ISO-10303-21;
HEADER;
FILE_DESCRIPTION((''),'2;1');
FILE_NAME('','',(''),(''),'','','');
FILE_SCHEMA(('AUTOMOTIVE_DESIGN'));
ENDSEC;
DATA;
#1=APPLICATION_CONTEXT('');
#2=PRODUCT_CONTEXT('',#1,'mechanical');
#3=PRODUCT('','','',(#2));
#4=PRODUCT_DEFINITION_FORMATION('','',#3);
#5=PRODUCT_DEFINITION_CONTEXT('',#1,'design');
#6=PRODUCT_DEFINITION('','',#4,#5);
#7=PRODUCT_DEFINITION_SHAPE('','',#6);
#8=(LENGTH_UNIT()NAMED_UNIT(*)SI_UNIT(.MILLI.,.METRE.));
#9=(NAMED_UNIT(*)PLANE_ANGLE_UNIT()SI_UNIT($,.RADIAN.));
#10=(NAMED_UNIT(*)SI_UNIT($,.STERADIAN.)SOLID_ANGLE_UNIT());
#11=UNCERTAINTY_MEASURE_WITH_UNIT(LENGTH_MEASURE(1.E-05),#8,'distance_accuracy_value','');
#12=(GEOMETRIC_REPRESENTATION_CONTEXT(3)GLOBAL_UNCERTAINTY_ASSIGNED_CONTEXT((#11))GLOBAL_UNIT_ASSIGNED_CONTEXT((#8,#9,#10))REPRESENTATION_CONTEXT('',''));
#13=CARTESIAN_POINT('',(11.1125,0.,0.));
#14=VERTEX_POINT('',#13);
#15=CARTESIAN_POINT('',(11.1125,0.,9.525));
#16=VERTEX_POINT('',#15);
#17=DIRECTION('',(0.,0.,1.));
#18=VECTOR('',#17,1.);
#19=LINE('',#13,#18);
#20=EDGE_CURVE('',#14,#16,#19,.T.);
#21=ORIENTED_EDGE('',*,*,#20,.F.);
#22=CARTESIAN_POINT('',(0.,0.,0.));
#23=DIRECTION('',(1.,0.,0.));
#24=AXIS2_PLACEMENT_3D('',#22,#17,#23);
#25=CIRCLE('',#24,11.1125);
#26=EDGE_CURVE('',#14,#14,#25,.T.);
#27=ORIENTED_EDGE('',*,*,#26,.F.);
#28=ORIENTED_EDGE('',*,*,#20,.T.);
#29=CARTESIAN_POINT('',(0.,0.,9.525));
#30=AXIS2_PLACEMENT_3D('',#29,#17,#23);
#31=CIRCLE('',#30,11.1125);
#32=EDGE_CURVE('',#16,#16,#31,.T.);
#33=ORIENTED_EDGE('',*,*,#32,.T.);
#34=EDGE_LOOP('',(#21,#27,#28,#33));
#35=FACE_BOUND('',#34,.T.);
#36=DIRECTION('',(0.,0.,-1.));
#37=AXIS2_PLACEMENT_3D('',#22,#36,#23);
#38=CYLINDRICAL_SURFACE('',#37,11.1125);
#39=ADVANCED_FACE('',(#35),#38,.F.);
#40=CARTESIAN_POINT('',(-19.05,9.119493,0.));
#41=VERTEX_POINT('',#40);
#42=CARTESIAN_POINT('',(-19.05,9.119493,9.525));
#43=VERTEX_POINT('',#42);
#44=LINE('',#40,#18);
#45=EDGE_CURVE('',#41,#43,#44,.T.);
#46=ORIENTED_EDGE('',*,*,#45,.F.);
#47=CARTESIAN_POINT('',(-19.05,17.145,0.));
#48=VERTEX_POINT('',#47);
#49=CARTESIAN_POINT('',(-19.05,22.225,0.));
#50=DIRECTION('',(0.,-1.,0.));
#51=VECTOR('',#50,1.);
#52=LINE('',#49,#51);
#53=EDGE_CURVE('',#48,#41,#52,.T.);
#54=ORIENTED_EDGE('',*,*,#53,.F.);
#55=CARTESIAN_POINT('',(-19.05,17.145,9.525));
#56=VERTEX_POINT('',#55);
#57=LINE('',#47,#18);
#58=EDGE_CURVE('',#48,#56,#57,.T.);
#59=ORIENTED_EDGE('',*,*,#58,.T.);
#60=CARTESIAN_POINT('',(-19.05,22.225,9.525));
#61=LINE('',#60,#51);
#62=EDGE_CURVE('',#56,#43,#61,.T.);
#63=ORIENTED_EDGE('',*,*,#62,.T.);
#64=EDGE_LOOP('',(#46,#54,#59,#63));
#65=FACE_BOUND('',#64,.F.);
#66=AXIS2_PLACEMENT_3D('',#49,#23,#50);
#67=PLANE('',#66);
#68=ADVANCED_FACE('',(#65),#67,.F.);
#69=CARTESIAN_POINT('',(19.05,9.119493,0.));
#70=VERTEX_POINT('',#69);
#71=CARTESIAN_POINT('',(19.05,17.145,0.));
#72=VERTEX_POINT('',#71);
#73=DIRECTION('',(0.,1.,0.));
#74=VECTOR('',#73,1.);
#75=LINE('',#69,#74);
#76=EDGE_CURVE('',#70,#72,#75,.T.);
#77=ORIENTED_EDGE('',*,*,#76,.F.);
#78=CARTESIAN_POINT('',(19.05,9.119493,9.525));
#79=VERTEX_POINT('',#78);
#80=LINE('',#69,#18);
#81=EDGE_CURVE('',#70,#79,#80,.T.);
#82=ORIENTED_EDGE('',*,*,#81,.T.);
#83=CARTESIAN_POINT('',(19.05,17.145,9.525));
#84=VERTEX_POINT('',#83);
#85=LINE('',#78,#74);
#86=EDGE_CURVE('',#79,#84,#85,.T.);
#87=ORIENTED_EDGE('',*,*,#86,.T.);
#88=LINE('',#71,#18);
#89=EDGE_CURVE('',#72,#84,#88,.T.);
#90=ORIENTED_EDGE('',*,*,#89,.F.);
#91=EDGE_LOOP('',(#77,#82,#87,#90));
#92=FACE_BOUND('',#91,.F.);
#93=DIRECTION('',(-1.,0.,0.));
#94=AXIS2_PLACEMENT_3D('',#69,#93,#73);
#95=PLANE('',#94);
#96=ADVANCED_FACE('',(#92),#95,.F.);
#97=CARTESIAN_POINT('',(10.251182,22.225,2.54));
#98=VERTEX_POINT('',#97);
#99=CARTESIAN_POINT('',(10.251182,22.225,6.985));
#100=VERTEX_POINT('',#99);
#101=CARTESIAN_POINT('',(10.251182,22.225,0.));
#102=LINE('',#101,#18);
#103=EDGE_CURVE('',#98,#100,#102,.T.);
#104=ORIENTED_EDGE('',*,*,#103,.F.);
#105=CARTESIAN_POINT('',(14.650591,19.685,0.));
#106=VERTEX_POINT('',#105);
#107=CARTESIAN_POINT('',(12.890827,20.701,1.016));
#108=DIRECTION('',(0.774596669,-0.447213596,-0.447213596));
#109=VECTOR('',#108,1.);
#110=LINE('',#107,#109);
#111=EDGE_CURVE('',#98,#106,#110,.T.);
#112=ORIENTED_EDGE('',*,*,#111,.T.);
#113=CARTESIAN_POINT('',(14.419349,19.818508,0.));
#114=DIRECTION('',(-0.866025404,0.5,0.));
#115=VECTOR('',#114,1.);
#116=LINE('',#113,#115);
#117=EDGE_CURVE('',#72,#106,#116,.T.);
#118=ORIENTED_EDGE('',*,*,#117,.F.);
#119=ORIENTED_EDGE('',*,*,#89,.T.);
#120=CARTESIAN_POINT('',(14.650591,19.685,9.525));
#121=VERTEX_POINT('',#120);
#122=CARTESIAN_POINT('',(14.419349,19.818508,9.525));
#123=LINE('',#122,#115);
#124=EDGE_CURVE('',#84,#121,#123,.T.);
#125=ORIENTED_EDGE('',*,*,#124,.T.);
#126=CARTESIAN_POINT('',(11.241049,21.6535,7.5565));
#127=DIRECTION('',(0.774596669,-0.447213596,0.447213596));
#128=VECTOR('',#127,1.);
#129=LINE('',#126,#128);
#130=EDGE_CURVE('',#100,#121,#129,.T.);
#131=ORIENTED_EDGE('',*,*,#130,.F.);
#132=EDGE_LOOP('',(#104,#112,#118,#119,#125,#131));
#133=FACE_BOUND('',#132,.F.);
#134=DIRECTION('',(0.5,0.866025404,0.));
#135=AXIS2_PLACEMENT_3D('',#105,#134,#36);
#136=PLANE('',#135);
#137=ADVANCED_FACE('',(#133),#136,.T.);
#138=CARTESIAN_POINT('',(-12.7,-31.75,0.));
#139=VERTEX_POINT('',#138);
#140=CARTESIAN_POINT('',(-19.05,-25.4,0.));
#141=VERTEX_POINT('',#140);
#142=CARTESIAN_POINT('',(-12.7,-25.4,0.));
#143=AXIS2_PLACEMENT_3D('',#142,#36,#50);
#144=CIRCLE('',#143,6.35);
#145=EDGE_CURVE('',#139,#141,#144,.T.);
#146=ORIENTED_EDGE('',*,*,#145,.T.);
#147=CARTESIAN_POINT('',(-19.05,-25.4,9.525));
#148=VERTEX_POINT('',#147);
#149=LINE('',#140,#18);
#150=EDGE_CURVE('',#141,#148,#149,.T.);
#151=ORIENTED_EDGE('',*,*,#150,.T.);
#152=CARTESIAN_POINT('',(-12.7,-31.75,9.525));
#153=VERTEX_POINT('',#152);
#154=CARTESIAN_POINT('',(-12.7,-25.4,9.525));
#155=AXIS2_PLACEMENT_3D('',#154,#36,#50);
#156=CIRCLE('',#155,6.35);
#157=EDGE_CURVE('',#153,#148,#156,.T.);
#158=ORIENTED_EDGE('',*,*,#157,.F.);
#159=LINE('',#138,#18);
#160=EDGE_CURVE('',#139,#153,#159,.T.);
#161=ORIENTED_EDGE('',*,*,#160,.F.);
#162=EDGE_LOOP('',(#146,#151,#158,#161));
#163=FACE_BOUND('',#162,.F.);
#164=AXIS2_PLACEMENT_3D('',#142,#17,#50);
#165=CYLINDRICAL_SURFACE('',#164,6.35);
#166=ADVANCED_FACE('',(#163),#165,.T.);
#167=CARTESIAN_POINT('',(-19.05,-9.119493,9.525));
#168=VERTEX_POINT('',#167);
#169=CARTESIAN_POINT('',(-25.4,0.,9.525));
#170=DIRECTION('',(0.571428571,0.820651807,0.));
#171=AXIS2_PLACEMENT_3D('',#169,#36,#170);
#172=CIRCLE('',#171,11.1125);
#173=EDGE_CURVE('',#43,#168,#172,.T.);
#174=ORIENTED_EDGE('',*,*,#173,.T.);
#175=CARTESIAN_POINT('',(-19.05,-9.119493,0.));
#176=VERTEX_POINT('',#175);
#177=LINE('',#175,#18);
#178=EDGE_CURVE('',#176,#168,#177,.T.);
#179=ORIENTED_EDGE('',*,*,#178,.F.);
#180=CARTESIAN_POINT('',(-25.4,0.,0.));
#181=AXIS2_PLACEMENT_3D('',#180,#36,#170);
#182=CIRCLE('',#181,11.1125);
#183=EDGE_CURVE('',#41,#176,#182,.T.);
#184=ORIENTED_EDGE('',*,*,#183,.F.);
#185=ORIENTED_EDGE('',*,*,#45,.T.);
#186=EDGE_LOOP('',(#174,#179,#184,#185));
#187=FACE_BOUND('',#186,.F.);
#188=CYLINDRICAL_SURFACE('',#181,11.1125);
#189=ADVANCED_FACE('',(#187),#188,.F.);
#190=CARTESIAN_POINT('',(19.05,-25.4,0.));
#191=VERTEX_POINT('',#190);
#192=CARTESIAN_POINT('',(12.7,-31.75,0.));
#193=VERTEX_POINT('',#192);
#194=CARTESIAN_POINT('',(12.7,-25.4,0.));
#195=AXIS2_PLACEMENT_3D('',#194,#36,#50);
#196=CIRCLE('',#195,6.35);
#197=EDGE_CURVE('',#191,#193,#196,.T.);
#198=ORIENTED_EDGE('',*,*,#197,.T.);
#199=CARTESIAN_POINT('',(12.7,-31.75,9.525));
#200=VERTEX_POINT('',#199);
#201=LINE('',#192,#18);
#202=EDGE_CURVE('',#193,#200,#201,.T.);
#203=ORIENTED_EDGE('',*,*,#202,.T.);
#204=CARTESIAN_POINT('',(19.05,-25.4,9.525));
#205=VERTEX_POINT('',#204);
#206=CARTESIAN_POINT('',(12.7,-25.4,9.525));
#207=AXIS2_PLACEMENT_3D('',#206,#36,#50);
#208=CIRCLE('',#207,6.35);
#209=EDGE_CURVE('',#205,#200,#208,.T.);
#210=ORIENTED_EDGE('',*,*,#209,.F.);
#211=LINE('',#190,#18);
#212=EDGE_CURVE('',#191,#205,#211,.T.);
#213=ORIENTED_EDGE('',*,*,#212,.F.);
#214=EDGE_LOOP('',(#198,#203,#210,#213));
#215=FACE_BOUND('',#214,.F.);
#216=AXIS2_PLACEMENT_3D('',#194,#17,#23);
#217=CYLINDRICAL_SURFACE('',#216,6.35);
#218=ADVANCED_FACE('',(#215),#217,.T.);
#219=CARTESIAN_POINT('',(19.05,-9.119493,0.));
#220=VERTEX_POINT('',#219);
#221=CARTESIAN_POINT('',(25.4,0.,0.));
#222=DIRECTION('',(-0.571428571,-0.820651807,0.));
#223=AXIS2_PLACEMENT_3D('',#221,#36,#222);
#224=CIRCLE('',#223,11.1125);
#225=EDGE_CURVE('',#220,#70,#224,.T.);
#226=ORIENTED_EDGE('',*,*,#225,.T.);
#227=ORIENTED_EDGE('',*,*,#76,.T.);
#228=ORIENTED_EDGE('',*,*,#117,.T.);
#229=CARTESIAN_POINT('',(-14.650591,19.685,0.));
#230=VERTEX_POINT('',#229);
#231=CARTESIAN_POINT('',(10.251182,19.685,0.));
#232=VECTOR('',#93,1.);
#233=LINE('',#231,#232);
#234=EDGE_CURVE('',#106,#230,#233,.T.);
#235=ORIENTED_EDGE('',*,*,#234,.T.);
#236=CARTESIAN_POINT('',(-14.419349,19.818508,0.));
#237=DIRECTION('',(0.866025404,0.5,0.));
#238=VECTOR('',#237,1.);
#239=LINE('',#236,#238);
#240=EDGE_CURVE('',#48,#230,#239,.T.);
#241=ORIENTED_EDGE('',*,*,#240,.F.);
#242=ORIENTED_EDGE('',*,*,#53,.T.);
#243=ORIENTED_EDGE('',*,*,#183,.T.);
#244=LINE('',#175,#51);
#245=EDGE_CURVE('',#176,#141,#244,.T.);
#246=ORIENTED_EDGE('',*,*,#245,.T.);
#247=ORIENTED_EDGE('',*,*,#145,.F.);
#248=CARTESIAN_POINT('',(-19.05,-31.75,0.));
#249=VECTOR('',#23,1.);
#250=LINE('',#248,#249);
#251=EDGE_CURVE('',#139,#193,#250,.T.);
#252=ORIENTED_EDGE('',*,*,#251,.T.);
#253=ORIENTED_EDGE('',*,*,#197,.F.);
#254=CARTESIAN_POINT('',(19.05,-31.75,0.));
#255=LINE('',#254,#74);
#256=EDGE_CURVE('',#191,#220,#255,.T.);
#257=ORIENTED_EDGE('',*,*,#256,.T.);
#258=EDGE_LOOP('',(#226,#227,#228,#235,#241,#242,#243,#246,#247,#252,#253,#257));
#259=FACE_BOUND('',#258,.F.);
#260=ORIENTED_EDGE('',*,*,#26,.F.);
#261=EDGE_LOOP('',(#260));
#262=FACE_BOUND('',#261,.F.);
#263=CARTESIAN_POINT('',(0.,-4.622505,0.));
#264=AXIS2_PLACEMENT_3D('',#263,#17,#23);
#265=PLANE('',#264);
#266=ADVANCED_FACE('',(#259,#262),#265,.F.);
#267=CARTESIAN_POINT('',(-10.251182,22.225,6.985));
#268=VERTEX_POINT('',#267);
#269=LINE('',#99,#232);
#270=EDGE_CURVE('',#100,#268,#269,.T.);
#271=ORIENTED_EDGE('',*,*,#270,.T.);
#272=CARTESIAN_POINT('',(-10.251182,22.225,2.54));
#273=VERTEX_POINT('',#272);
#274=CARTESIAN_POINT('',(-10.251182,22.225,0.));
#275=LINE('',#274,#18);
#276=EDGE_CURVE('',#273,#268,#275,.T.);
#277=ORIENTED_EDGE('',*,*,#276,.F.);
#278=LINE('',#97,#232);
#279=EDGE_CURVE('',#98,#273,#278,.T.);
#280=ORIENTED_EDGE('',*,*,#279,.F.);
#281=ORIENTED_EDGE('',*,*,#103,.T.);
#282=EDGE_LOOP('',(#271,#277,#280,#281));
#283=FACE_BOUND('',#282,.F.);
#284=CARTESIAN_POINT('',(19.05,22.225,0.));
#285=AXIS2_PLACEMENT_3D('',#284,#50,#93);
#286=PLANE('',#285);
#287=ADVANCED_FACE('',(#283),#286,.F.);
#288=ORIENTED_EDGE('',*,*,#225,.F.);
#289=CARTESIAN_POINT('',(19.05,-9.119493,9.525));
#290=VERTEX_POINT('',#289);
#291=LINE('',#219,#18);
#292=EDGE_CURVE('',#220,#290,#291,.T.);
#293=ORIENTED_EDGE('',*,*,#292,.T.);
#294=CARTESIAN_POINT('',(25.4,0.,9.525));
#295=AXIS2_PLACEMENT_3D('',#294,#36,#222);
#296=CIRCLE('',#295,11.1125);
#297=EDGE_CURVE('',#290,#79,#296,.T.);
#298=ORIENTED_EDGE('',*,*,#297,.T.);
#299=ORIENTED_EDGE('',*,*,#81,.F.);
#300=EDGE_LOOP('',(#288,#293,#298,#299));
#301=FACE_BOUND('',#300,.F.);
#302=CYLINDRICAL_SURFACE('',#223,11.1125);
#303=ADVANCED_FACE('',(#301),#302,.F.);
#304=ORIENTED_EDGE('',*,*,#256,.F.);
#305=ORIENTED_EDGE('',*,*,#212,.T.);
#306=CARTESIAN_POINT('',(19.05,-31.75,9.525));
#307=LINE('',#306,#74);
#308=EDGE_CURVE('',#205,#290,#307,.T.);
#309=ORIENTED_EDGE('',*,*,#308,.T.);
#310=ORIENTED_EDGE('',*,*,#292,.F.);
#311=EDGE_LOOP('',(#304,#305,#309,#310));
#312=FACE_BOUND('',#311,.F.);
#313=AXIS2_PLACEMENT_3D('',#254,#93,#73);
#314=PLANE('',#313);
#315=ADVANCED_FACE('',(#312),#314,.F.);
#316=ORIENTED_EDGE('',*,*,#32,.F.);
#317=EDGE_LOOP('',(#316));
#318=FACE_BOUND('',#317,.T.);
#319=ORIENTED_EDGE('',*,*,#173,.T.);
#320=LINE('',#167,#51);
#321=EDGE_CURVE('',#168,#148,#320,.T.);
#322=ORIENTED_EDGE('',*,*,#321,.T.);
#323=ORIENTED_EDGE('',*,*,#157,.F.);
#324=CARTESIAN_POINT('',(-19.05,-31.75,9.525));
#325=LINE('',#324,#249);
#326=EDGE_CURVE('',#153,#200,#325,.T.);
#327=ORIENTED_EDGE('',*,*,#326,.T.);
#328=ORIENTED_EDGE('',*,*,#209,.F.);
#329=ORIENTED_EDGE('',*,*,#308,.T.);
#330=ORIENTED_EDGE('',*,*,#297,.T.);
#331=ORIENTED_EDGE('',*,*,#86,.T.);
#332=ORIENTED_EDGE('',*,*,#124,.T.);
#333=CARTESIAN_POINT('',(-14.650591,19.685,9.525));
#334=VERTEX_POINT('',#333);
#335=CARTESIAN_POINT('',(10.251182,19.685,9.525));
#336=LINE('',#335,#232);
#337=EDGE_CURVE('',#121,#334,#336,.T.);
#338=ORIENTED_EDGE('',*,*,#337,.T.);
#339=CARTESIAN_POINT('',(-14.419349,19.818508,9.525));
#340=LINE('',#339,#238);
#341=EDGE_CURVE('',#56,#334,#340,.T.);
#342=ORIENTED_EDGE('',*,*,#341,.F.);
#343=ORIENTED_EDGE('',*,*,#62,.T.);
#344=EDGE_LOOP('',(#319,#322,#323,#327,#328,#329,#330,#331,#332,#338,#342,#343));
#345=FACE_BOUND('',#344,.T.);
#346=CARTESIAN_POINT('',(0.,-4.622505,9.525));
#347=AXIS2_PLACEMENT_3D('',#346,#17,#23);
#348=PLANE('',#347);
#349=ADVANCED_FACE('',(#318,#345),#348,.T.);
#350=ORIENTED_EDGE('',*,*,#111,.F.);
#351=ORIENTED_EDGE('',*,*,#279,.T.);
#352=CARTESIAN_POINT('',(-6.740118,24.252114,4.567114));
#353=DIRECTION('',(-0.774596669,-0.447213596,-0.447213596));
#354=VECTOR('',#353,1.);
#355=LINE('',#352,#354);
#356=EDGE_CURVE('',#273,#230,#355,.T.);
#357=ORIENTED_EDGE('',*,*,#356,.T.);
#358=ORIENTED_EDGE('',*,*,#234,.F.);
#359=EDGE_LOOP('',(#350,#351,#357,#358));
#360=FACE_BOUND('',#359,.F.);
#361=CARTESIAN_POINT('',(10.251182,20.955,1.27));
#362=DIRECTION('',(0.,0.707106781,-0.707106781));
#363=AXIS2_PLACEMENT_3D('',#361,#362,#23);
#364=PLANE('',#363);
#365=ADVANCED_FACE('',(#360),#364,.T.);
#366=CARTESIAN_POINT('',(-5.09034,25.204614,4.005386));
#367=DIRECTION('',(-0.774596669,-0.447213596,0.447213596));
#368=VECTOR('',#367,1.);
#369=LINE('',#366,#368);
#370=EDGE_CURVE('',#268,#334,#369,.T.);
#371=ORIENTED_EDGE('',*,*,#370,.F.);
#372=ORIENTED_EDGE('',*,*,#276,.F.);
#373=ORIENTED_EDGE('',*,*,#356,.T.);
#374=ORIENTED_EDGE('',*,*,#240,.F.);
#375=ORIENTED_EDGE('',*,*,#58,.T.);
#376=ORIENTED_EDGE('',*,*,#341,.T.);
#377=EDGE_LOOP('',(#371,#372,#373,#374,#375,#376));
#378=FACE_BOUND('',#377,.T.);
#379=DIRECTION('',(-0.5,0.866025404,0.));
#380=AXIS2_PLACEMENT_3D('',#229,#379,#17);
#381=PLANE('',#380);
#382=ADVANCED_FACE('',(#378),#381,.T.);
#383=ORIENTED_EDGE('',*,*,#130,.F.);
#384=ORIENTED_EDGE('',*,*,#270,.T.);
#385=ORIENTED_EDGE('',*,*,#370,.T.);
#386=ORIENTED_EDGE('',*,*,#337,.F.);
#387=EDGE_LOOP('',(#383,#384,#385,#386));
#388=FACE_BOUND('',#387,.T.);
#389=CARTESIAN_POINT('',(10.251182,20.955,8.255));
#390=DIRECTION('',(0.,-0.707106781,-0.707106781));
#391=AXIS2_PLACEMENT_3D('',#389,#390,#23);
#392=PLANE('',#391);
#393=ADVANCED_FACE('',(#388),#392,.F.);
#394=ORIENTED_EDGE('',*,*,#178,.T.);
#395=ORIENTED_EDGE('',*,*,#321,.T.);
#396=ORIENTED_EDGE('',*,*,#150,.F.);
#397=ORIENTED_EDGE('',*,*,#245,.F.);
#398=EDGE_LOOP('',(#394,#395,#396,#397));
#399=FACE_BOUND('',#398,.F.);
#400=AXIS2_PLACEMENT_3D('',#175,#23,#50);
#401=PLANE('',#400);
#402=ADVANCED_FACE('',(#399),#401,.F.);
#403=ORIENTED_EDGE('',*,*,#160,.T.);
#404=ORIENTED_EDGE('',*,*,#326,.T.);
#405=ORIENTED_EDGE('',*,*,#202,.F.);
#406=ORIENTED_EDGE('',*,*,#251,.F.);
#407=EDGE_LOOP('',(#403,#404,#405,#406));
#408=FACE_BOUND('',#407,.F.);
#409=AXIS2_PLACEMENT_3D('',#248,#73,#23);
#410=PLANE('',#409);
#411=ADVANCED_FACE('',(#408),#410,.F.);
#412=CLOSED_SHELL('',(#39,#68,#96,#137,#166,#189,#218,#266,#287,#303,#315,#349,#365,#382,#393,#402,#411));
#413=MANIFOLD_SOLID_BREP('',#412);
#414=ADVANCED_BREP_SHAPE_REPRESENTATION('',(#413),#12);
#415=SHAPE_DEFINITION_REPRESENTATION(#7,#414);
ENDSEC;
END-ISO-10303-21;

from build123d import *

# Parameters (mm, degrees)
F0_R       = 11.1125
F1_DEPTH   = 9.525
F2_SIZE2   = 8.7988181024
F2_SIZE    = 5.08
F2_2_SIZE2 = 8.7988181024
F2_2_SIZE  = 5.08
F3_SIZE2   = 2.54
F3_SIZE    = 2.54
F4_R       = 6.35


with BuildPart() as f1:
    # F0 (on Top) → F1 (new body)
    with BuildSketch(Plane.XY):
        with BuildLine():
            Line((19.05, 22.225), (-19.05, 22.225))
            Line((-19.05, 22.225), (-19.05, 9.1194932014))
            ThreePointArc((-19.05, 9.1194932014), (-14.2875, 0), (-19.05, -9.1194932014))
            Line((-19.05, -9.1194932014), (-19.05, -31.75))
            Line((-19.05, -31.75), (19.05, -31.75))
            Line((19.05, -31.75), (19.05, -9.1194932014))
            ThreePointArc((19.05, -9.1194932014), (14.2875, 0), (19.05, 9.1194932014))
            Line((19.05, 9.1194932014), (19.05, 22.225))
        make_face()
        Circle(F0_R, mode=Mode.SUBTRACT)
    extrude(amount=F1_DEPTH)

    # F2
    f2_edges = [f1.edges().sort_by_distance(p)[0] for p in [
        (-19.05, 22.225, 4.7625),
    ]]
    f2_side = f1.faces().sort_by_distance((-19.05, 15.672247, 4.7625))[0]
    chamfer(f2_edges, length=F2_SIZE, length2=F2_SIZE2, reference=f2_side)

    # F2#2
    f2_2_edges = [f1.edges().sort_by_distance(p)[0] for p in [
        (19.05, 22.225, 4.7625),
    ]]
    f2_2_side = f1.faces().sort_by_distance((19.05, 15.672247, 4.7625))[0]
    chamfer(f2_2_edges, length=F2_2_SIZE, length2=F2_2_SIZE2, reference=f2_2_side)

    # F3
    f3_edges = [f1.edges().sort_by_distance(p)[0] for p in [
        (0, 22.225, 9.525),
        (0, 22.225, 0),
    ]]
    chamfer(f3_edges, length=F3_SIZE, length2=F3_SIZE2)

    # F4
    f4_edges = [f1.edges().sort_by_distance(p)[0] for p in [
        (19.05, -31.75, 4.7625),
        (-19.05, -31.75, 4.7625),
    ]]
    fillet(f4_edges, radius=F4_R)


solid = f1.part
